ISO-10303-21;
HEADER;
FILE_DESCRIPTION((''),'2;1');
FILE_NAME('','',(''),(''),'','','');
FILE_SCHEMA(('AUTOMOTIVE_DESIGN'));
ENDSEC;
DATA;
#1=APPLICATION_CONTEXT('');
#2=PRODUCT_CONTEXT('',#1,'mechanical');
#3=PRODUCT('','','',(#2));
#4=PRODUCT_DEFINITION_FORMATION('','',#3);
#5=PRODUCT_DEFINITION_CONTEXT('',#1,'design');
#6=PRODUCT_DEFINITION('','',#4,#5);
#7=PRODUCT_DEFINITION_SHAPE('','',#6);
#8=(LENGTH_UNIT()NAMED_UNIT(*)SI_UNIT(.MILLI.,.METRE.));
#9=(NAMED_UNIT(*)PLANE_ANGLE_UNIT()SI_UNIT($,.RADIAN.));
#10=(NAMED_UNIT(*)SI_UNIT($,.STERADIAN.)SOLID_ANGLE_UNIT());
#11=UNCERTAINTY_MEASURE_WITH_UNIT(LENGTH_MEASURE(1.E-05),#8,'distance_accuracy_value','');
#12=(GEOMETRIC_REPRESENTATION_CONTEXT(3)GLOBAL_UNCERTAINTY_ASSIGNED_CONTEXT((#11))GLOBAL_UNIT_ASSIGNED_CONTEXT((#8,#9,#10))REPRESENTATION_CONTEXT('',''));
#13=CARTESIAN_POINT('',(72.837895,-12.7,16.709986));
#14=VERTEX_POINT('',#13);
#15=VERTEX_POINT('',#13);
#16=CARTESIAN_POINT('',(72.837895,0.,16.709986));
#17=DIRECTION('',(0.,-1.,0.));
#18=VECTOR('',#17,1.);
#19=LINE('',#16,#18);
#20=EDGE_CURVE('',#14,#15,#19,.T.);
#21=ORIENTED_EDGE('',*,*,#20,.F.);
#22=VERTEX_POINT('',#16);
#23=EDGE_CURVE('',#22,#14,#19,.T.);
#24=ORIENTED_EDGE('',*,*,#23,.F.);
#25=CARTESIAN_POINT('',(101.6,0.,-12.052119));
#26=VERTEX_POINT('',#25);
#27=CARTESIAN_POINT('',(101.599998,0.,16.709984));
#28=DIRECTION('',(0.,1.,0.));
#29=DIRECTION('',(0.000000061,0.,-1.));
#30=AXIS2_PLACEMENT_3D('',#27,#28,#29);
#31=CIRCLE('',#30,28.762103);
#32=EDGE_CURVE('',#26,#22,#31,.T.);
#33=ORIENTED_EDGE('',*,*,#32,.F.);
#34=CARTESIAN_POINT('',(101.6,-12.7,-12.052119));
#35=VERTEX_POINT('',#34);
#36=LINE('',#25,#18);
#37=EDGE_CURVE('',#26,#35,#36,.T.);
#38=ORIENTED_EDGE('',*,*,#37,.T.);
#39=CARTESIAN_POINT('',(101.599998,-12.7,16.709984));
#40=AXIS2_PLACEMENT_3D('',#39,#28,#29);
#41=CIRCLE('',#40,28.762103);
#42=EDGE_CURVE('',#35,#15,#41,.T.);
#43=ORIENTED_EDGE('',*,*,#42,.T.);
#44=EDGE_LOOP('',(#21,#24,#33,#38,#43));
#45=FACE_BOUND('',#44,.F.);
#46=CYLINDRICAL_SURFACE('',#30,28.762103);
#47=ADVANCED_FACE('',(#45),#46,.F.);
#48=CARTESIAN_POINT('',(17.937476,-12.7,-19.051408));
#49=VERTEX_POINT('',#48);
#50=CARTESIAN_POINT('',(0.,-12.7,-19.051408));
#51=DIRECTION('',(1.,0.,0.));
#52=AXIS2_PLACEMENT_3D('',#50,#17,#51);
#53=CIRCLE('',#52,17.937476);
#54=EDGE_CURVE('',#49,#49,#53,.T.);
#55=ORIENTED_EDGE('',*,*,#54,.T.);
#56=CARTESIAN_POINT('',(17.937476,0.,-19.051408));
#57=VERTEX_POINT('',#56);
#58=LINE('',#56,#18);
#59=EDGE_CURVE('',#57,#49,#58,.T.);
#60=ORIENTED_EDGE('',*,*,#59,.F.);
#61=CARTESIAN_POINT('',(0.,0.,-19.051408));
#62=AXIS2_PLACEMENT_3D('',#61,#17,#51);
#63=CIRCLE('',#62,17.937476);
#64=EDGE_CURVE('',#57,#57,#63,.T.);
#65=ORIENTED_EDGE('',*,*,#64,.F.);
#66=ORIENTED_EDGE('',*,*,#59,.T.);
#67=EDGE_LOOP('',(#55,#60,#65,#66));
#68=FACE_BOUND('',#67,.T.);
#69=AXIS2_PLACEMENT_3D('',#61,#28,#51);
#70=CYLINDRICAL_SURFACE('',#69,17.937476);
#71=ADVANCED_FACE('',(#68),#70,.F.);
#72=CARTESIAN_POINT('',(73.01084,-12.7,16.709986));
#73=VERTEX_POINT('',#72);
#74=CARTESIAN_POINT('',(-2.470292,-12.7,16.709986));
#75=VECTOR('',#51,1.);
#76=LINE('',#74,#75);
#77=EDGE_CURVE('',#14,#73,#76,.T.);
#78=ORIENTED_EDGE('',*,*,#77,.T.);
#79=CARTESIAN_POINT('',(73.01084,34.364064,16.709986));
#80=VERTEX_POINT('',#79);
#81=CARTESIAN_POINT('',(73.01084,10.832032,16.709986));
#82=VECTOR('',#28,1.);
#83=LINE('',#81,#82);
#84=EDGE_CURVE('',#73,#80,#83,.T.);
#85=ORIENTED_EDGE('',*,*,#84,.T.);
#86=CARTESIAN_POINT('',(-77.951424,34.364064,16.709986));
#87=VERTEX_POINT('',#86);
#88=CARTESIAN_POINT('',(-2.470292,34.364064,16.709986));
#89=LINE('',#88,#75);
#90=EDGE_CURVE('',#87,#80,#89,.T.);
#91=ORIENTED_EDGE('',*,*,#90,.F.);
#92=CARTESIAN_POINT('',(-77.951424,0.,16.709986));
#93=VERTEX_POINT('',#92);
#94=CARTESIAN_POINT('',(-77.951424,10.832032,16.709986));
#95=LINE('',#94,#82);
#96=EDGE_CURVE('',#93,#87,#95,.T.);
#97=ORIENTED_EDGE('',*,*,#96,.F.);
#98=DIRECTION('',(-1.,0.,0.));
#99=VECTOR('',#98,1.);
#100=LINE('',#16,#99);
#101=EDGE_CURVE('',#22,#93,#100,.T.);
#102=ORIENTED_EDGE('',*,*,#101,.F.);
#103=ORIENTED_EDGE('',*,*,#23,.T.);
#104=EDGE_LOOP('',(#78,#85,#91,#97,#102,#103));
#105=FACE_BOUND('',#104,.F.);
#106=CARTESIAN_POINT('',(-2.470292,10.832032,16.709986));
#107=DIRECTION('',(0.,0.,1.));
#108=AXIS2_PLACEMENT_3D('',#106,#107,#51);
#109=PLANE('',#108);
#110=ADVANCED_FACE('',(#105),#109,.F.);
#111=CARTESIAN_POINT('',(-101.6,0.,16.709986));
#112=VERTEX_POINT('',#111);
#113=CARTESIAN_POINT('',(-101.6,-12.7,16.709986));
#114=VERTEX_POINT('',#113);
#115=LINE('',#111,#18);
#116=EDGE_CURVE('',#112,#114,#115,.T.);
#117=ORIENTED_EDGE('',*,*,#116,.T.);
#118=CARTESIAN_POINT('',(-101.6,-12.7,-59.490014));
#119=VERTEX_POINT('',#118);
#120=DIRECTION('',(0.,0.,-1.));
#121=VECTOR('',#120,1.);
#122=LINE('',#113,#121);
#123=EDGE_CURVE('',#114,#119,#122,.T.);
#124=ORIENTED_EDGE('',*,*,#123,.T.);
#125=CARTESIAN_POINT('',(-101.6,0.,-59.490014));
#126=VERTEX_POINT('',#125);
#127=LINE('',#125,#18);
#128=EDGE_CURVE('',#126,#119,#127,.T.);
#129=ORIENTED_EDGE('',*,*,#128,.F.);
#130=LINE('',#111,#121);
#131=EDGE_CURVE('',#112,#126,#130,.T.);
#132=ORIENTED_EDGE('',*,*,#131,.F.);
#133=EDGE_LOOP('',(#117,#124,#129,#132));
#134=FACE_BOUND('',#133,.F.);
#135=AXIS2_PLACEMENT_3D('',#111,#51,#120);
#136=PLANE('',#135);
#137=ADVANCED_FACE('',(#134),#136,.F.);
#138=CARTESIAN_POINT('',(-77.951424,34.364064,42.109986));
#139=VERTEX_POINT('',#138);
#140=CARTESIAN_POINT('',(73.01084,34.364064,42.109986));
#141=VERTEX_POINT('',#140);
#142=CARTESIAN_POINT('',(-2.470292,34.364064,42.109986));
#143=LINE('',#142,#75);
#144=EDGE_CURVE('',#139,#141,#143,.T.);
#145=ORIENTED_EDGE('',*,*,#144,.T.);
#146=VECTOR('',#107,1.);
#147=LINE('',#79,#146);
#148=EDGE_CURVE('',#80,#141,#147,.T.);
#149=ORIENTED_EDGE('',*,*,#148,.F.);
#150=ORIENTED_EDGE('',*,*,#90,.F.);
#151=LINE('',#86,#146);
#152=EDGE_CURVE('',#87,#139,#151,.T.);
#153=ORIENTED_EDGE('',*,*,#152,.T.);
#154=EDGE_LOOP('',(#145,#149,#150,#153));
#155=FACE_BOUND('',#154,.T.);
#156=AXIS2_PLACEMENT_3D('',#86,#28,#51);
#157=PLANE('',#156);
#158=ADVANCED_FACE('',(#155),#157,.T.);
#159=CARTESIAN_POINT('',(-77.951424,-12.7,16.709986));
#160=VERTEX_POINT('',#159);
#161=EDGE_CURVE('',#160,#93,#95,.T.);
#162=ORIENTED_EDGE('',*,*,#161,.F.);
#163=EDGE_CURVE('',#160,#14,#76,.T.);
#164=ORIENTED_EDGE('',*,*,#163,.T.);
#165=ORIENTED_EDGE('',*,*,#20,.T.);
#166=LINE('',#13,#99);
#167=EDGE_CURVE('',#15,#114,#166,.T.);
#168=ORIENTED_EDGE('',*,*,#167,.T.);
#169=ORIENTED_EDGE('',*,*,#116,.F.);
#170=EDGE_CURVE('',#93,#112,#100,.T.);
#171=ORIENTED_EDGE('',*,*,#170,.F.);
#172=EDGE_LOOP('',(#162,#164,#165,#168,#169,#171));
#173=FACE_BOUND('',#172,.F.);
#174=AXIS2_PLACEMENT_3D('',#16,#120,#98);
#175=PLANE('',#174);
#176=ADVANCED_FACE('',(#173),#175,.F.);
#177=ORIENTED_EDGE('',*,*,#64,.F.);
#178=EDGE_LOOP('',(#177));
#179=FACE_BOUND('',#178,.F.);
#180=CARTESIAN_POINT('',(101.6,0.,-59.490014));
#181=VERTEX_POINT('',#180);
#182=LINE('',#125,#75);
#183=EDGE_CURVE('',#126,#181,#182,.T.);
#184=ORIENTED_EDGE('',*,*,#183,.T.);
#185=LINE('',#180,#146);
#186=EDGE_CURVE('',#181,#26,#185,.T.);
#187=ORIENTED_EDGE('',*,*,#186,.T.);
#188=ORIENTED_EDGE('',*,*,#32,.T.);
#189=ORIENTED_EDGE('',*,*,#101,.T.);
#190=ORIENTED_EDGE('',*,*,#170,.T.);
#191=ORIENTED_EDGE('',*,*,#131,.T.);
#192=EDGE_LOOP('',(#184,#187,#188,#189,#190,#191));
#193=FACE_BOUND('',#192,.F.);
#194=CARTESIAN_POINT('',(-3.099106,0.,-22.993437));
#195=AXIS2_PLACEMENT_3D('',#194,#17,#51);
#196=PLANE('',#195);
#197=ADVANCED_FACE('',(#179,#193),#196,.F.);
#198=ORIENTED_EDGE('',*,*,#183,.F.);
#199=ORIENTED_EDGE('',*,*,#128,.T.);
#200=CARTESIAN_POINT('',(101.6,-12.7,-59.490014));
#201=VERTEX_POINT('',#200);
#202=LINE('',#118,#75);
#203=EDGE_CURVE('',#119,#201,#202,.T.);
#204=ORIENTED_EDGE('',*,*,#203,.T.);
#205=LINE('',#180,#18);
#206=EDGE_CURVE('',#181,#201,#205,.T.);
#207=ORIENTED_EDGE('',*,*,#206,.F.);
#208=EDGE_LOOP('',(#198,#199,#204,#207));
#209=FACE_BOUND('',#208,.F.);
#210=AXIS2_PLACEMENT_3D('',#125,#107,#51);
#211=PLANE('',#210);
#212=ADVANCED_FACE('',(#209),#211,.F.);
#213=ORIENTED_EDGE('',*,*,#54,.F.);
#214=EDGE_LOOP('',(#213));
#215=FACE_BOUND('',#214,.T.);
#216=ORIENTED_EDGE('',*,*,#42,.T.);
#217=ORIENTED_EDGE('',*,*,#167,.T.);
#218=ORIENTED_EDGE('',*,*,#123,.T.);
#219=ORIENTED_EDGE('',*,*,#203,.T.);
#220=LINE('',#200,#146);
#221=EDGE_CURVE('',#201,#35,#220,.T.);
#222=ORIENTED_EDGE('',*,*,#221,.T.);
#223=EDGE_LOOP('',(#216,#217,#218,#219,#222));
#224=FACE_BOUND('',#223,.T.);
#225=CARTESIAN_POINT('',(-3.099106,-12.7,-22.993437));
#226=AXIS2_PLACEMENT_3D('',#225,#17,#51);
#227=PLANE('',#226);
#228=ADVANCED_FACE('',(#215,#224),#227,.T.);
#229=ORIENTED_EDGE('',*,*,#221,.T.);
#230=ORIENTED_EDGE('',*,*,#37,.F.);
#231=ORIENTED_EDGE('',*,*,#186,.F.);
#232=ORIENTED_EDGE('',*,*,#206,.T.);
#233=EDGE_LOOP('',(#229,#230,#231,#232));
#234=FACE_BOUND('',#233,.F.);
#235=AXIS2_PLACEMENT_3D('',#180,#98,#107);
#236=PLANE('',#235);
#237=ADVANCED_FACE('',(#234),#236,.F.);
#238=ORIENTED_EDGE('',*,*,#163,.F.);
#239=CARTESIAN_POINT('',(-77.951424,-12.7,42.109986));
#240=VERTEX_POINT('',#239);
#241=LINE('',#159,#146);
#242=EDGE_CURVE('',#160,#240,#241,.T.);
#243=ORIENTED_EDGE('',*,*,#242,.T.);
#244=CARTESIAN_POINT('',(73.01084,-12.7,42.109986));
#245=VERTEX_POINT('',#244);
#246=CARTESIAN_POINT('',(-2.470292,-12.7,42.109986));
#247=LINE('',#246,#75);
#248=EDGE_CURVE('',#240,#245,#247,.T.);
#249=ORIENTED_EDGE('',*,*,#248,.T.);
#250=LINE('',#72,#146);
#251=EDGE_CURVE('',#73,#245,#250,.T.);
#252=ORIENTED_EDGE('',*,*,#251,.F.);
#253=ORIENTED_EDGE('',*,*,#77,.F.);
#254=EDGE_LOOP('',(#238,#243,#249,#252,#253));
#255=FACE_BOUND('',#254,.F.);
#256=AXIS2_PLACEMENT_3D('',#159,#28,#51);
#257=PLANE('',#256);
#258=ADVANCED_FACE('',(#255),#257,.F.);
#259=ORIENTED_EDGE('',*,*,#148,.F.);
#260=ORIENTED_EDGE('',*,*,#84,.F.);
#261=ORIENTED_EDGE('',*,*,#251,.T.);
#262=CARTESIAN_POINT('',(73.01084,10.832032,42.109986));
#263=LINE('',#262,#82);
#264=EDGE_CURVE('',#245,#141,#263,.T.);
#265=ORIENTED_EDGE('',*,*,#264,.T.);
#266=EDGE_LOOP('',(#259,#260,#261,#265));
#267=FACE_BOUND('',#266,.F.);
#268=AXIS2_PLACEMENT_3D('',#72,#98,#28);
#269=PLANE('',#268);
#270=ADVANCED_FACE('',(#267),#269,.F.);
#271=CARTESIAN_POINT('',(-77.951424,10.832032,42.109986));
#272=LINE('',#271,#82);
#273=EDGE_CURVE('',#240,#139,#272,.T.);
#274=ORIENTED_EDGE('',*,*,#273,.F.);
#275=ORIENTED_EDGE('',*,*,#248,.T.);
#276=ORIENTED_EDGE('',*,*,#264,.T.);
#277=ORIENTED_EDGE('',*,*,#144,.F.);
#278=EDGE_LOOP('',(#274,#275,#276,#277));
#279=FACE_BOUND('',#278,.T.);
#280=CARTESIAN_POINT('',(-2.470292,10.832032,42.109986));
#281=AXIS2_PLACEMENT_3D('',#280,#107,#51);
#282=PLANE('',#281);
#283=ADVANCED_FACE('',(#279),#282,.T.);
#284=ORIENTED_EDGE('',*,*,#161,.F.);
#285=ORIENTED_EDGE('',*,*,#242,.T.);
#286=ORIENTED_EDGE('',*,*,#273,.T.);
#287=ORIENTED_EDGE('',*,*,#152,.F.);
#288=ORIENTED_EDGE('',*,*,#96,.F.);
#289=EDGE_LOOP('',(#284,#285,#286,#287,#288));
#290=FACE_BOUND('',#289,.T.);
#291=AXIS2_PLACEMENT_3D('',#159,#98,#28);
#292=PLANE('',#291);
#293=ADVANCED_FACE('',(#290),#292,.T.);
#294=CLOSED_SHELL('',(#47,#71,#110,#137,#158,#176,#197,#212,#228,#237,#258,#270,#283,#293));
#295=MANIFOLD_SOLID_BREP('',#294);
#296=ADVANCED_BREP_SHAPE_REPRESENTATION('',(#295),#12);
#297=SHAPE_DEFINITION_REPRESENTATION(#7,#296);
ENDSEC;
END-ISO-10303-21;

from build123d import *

# Parameters (mm, degrees)
F0_R     = 17.937476
F1_DEPTH = 12.7
F2_W     = 150.962264
F2_H     = 47.064063
F3_DEPTH = 25.4


with BuildPart() as f1:
    # F0 (on Front) → F1 (new body)
    with BuildSketch(Plane.XZ):
        with BuildLine():
            Line((72.837895, 16.709986), (-101.6, 16.709986))
            Line((-101.6, 16.709986), (-101.6, -59.490014))
            Line((-101.6, -59.490014), (101.6, -59.490014))
            Line((101.6, -59.490014), (101.6, -12.052119))
            ThreePointArc((101.6, -12.052119), (81.26212, -3.627894), (72.837895, 16.709986))
        make_face()
        with Locations((0, -19.051408)):
            Circle(F0_R, mode=Mode.SUBTRACT)
    extrude(amount=F1_DEPTH)

    # F2 (on face) → F3 (join)
    with BuildSketch(Plane.XY.offset(16.709986)):
        with Locations((-2.470292, 10.832032)):
            Rectangle(F2_W, F2_H)
    extrude(amount=F3_DEPTH)


solid = f1.part
